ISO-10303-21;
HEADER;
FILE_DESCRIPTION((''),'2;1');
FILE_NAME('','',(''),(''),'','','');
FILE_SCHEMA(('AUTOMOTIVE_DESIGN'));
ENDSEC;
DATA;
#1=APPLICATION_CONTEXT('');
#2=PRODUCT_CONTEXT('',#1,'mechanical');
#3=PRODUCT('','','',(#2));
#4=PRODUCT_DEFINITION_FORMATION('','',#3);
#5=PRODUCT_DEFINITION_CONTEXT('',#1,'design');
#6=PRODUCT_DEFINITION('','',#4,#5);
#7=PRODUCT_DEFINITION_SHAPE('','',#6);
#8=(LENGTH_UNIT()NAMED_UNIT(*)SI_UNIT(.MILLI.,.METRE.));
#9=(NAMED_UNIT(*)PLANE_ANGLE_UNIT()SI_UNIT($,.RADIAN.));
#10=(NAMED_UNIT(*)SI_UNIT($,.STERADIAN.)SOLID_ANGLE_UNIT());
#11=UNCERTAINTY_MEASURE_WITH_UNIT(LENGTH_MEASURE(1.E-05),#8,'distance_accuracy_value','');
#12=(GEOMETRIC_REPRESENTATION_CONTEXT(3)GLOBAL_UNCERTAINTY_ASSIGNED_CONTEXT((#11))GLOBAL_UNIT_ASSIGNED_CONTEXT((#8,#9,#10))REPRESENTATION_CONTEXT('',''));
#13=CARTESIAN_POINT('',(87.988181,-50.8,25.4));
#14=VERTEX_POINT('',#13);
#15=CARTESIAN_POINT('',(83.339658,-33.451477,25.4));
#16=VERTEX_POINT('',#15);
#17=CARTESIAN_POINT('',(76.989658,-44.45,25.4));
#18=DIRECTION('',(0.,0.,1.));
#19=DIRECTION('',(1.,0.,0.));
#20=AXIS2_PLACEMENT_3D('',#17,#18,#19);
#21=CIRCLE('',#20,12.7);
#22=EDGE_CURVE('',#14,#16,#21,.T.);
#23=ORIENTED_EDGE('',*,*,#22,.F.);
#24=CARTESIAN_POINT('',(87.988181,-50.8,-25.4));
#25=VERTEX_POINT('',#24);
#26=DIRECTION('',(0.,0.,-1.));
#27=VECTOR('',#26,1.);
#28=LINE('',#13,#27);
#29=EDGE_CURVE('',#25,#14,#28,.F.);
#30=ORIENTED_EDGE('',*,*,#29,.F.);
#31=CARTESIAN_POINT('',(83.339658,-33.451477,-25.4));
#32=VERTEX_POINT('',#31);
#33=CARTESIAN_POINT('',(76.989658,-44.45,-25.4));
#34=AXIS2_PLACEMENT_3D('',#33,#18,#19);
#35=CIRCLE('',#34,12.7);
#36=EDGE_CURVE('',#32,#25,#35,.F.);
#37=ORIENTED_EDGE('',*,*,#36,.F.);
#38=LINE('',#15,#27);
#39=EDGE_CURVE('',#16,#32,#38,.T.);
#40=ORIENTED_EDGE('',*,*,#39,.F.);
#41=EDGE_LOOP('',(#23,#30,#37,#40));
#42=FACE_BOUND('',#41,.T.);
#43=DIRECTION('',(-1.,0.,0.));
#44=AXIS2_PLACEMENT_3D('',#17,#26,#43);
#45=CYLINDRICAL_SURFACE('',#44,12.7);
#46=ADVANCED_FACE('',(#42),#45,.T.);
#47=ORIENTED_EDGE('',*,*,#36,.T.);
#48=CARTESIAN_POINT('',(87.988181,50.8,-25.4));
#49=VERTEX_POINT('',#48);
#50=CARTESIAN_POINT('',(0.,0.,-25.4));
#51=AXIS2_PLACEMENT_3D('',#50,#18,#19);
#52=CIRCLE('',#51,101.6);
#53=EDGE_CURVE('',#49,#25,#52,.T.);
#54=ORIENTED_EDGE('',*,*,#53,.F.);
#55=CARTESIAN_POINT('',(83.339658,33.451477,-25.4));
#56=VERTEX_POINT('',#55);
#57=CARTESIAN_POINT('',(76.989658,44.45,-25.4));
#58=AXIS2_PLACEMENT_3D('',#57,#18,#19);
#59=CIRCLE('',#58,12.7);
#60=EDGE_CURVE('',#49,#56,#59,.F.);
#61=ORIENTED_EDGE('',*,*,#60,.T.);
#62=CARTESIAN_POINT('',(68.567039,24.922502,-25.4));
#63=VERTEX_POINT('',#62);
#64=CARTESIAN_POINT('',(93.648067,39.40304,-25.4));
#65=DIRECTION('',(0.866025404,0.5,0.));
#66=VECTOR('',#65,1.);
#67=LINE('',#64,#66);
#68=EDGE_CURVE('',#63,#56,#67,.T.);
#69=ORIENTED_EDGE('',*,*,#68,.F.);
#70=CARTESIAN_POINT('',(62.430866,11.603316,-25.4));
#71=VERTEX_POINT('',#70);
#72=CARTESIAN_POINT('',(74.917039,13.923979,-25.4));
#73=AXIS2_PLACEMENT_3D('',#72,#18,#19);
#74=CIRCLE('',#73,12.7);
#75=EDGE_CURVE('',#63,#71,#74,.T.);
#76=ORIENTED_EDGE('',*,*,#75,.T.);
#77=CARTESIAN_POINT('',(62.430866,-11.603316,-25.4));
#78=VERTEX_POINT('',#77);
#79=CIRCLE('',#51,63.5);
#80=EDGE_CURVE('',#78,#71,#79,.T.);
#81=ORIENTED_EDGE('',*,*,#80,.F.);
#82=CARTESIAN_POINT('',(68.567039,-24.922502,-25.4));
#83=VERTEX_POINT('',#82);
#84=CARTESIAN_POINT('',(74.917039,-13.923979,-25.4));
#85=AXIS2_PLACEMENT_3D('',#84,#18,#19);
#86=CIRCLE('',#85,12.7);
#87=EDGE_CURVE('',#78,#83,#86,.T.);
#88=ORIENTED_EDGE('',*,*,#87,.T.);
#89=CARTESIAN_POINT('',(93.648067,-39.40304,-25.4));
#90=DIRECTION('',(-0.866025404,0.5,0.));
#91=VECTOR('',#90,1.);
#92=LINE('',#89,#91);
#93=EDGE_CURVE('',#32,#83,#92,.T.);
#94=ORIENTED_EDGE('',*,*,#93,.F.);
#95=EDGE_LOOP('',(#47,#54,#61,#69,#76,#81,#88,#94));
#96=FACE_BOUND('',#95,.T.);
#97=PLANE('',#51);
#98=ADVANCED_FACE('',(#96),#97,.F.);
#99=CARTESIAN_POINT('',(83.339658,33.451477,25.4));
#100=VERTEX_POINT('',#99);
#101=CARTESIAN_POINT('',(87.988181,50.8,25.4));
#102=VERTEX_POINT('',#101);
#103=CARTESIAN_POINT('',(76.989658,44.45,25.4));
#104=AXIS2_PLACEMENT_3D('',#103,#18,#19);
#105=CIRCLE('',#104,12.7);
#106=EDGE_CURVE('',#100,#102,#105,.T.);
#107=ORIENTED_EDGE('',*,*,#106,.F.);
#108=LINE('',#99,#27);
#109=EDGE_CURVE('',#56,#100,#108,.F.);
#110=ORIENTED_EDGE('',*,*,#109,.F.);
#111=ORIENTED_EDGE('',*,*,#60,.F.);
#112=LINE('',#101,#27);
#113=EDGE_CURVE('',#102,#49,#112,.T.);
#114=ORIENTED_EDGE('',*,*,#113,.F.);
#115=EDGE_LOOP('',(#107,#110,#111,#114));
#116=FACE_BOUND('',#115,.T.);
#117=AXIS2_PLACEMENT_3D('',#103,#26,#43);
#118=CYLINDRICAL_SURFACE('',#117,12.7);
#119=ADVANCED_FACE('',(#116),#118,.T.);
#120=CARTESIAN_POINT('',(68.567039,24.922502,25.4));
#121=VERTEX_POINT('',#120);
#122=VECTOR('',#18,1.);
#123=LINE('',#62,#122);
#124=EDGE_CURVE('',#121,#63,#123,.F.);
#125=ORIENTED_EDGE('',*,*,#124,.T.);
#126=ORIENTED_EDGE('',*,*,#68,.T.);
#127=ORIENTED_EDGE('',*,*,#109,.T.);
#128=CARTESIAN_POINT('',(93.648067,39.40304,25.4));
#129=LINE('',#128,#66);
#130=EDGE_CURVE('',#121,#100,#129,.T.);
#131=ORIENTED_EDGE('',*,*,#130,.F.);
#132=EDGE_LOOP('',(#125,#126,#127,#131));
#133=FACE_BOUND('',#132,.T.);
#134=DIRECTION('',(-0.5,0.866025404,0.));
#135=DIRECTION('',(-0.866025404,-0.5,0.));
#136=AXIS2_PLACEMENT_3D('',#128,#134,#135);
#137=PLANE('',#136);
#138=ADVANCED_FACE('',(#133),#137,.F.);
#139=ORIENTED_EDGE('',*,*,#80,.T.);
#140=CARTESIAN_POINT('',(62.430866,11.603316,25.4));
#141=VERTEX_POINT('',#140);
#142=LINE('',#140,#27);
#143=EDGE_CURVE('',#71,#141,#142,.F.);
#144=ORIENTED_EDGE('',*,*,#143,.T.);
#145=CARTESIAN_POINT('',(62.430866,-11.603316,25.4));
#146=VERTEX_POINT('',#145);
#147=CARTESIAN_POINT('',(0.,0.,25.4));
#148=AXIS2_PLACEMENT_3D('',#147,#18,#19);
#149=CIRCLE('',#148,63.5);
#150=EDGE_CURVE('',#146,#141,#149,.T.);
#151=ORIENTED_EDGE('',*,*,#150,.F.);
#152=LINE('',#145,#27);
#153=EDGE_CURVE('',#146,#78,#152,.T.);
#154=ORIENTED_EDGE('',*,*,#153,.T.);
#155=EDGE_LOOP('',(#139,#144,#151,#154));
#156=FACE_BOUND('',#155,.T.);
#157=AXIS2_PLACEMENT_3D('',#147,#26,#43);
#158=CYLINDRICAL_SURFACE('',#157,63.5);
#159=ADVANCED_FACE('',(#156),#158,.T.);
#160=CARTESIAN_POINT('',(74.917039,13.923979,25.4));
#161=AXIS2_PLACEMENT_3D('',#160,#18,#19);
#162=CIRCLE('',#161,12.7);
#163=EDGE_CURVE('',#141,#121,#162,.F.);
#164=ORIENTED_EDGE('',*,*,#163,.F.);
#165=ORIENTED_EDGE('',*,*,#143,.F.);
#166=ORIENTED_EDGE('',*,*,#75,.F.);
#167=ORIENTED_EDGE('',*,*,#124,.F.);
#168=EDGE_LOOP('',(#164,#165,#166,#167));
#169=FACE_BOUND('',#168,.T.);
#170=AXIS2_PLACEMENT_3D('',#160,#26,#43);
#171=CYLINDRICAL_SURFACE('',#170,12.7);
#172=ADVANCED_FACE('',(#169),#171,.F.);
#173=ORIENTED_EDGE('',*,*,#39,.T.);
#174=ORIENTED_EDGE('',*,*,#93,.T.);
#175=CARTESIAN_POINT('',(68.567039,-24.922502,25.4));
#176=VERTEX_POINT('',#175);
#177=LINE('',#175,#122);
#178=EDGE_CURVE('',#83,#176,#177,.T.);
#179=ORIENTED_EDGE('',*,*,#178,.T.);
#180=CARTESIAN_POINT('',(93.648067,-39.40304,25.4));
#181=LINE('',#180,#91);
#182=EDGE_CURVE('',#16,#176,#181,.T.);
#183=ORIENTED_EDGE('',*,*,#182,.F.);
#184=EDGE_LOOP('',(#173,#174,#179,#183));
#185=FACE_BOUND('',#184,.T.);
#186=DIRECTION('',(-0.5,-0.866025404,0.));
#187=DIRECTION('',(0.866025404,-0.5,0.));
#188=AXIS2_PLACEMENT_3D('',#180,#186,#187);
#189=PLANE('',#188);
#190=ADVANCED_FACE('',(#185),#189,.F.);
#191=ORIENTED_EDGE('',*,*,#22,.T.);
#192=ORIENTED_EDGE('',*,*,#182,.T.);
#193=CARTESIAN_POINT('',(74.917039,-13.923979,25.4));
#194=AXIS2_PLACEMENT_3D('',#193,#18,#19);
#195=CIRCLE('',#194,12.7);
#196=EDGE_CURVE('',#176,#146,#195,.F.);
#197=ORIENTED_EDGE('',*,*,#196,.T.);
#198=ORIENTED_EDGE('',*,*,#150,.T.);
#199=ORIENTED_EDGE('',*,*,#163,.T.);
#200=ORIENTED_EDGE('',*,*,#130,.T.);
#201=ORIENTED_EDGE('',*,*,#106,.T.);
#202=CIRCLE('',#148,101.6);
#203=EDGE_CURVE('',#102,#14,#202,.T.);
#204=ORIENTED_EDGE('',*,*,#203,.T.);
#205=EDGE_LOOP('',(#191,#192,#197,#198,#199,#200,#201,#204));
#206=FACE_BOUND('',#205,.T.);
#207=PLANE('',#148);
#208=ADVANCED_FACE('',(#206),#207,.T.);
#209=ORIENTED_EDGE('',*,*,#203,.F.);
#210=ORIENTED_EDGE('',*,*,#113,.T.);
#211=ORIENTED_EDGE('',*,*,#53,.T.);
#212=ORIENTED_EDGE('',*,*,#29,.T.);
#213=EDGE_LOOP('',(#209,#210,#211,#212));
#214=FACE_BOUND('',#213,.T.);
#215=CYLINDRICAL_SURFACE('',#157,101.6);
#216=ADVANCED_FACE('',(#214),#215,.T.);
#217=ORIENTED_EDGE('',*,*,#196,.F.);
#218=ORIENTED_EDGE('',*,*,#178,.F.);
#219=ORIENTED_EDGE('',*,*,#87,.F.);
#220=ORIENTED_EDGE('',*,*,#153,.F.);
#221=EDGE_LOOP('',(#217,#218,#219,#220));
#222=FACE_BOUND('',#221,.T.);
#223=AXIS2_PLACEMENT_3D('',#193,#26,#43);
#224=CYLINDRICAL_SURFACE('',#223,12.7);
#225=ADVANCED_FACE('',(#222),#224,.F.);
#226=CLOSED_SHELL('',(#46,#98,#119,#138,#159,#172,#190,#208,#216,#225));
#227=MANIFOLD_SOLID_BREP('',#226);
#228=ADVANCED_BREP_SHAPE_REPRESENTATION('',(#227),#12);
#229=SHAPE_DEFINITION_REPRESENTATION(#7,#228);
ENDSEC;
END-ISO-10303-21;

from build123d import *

# Parameters (mm, degrees)
BOSS_EXTRUDE1_DEPTH = 25.4
FILLET1_R           = 12.7


with BuildPart() as part:
    # Sketch1 → Boss-Extrude1 (new, symmetric)
    with BuildSketch(Plane(origin=(0, 0, 0), x_dir=(0, 1, 0), z_dir=(0, 0, 1))):
        with BuildLine():
            Line((-39.403039848, -93.648066989), (-20.109997105, -60.231536726))
            ThreePointArc((-20.109997105, -60.231536726), (0, -63.5), (20.109997105, -60.231536726))
            Line((20.109997105, -60.231536726), (39.403039848, -93.648066989))
            ThreePointArc((39.403039848, -93.648066989), (0, 101.6), (-39.403039848, -93.648066989))
        make_face()
    extrude(amount=BOSS_EXTRUDE1_DEPTH, both=True)

    # Fillet1
    fillet1_edges = [part.edges().sort_by_distance(p)[0] for p in [
        (60.231536726, -20.109997105, 0),
        (93.648066989, -39.403039848, 0),
        (93.648066989, 39.403039848, 0),
        (60.231536726, 20.109997105, 0),
    ]]
    fillet(fillet1_edges, radius=FILLET1_R)


solid = part.part
